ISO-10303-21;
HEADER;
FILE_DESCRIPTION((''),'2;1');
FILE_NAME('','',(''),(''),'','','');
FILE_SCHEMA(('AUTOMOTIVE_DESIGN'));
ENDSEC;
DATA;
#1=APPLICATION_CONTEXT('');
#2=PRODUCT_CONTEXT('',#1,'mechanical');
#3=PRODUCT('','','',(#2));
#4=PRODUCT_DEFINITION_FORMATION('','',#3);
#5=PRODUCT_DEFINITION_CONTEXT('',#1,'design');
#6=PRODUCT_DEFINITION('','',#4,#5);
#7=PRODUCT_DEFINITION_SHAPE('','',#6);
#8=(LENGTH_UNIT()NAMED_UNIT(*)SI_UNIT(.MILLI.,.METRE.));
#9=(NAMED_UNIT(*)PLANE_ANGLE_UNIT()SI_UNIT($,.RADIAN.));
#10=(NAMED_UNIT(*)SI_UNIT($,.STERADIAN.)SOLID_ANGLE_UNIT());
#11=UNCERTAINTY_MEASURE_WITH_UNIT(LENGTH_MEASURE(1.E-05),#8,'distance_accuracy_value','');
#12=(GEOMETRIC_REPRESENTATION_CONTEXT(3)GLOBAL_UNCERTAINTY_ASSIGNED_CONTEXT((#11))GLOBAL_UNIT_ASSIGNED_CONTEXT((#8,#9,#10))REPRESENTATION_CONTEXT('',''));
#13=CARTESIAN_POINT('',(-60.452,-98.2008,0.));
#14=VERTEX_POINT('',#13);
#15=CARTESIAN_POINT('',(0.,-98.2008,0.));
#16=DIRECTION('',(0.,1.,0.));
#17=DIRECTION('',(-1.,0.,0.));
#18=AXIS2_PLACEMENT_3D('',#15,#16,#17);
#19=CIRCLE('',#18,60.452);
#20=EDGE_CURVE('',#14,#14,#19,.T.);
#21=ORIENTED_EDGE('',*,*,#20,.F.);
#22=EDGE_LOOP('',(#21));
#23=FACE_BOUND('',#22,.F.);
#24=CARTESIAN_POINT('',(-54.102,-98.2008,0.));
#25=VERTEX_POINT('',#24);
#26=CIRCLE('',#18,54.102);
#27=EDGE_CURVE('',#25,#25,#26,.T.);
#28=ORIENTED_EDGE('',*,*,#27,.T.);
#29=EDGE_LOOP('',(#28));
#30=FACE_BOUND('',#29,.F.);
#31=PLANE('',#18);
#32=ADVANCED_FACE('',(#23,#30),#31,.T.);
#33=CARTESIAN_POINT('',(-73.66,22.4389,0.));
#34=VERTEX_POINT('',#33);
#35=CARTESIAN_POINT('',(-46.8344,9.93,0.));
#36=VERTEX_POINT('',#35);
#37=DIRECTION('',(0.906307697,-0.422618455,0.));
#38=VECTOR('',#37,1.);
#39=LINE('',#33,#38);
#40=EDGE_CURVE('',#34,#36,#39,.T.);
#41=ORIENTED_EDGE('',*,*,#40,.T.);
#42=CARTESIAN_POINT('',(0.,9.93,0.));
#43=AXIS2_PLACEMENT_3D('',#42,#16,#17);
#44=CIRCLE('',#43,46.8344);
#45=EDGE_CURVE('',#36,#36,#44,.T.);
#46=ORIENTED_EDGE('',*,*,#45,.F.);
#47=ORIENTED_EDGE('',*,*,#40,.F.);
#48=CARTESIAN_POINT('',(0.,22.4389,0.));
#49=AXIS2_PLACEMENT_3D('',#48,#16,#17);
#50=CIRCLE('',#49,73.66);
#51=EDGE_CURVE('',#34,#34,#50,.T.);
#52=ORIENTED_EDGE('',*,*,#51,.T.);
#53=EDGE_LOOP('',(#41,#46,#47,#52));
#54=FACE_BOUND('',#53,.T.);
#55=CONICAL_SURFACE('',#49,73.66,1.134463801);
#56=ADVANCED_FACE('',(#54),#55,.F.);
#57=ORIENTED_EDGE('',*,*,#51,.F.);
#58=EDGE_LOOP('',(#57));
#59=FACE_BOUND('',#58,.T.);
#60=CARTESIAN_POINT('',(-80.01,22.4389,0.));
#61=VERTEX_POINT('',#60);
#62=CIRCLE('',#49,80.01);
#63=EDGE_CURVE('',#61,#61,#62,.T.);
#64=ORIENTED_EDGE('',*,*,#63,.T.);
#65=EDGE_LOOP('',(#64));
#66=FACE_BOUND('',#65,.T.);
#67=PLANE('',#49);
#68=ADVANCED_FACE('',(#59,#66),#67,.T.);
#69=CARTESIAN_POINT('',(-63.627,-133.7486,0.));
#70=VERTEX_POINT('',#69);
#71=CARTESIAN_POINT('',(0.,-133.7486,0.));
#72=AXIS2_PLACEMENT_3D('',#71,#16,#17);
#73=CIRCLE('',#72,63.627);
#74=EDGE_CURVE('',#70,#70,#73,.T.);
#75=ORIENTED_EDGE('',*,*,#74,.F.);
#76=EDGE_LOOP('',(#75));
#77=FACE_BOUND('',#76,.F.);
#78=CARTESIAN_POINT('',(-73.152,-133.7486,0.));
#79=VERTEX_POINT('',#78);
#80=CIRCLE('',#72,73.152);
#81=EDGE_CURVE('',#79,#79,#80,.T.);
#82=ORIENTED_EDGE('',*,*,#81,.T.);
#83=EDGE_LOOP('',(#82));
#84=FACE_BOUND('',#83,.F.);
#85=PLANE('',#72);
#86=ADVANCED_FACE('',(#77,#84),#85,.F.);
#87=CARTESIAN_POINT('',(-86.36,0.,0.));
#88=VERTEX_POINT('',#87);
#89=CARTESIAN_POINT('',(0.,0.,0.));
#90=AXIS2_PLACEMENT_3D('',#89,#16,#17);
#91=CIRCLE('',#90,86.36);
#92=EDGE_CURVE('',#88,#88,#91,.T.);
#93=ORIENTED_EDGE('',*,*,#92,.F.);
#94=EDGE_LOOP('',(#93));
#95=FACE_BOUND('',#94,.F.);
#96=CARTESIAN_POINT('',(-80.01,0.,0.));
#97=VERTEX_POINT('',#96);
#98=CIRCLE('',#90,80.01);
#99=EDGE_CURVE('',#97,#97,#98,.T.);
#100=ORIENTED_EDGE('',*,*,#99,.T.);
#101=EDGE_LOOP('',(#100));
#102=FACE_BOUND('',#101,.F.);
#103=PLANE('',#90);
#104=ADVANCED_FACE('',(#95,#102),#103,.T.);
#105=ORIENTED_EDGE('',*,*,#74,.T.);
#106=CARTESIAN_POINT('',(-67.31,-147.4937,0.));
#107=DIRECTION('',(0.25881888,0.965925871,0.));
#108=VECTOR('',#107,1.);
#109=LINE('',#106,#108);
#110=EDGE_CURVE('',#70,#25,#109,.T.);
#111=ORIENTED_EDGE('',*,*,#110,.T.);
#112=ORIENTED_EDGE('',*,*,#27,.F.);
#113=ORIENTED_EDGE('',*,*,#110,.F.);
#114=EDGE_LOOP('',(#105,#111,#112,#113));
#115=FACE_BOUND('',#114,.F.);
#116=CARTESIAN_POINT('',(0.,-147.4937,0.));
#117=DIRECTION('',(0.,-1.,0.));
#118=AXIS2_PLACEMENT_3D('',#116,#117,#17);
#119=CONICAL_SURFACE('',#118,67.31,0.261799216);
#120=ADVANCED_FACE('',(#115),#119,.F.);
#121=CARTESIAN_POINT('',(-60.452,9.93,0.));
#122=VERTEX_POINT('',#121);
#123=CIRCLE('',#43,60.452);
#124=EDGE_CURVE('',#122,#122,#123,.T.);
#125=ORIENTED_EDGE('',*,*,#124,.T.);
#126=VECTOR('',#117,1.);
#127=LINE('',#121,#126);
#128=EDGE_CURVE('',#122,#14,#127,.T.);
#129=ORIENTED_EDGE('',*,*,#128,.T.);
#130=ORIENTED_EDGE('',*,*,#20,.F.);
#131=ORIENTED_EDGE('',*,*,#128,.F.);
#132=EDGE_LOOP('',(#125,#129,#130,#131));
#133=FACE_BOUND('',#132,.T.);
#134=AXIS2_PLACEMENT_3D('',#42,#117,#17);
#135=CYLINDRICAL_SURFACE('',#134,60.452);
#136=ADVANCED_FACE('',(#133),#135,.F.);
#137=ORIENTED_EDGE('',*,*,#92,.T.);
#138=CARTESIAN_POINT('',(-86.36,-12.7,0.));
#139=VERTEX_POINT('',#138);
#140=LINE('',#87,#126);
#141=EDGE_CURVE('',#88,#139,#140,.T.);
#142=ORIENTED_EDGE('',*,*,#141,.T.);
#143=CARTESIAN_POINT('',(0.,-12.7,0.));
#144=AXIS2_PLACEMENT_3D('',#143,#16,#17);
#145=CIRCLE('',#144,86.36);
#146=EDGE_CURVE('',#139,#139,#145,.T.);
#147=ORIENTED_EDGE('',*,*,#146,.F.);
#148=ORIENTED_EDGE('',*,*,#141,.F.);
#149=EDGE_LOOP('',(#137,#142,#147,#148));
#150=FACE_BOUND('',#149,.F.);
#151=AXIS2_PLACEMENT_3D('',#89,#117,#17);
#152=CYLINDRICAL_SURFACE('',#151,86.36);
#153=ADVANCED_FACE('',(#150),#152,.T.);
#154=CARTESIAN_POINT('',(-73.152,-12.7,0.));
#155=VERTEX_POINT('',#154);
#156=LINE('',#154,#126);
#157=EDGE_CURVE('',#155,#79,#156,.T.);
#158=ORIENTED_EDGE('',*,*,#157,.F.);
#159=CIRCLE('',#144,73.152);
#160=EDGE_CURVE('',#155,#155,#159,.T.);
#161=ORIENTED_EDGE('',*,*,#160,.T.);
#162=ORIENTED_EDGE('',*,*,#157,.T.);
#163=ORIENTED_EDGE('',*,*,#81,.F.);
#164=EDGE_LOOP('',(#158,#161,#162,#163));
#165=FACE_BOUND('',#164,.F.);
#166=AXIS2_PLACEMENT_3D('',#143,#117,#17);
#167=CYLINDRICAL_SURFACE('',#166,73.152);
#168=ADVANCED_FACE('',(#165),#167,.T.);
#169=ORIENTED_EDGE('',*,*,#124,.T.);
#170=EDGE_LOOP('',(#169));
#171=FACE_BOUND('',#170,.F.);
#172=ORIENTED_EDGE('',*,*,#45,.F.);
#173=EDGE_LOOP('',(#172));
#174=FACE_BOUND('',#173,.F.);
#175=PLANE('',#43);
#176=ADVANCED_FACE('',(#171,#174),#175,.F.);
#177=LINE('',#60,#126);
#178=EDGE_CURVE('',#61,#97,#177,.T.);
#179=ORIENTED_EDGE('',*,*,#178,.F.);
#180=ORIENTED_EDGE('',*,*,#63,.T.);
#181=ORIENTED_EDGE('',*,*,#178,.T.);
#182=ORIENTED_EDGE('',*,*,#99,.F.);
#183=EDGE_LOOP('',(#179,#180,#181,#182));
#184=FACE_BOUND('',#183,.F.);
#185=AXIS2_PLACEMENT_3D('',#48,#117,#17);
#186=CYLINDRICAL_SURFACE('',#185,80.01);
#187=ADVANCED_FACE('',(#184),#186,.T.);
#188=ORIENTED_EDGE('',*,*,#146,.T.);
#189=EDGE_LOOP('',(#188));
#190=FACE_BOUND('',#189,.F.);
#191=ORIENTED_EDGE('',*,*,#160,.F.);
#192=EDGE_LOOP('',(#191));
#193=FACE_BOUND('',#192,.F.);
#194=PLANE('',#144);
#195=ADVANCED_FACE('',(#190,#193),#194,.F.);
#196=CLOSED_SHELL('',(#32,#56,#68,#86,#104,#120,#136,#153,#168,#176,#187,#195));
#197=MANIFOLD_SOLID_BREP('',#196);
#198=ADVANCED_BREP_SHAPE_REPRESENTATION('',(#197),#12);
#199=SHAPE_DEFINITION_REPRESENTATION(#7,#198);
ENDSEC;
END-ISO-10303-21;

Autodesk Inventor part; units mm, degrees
ref_plane "YZ Plane" through (0, 0, 0) normal (1, 0, 0) x (0, 1, 0)
ref_plane "XZ Plane" through (0, 0, 0) normal (0, 1, 0) x (-1, 0, 0)
ref_plane "XY Plane" through (0, 0, 0) normal (0, 0, 1) x (1, 0, 0)
sketch "Sketch1" plane through (0, 0, 0) normal (0, 0, 1) x (1, 0, 0)
  line L0 (0, 25.4) -> (-28.702, 25.4) construction
  line L1 (0, 25.4) -> (-86.36, 25.4) construction
  line L2 (-86.36, 25.4) -> (-80.01, 25.4) construction
  line L3 (-80.01, 25.4) -> (-73.66, 22.4389) construction
  line L4 (-80.01, 25.4) -> (-80.01, 22.4389) construction
  line L5 (-80.01, 0) -> (-86.36, 0)
  line L6 (-28.702, 59.6457) -> (-28.702, -91.9304) construction
  arc A0 (-28.9184, -4.2142) -> (-32.3684, 3.1843) centre (-35.052, -2.5707) ccw
  line L7 (-67.31, -147.4937) -> (-28.9184, -4.2142)
  line L8 (-80.01, 22.4389) -> (-73.66, 22.4389)
  line L9 (-80.01, 22.4389) -> (-80.01, 0)
  line L10 (-73.66, 22.4389) -> (-32.3684, 3.1843)
  line L11 (-28.702, -2.5707) -> (-60.452, -2.5707) construction
  line L12 (-60.452, 16.28) -> (-60.452, -121.8993) construction
  line L13 (-60.452, -121.8993) -> (-54.102, -121.8993) construction
  line L14 (-54.102, -121.8993) -> (-54.102, -98.2008) construction
  line L15 (-54.102, -98.2008) -> (-60.452, -98.2008)
  line L16 (-60.452, 16.28) -> (-60.452, 6.755) construction
  line L17 (-60.452, 16.28) -> (-60.452, 9.93) construction
  line L18 (-60.452, 9.93) -> (-46.8344, 9.93)
  line L19 (-60.452, 9.93) -> (-60.452, -98.2008)
  line L20 (-86.36, 0) -> (-86.36, -12.7) construction
  line L21 (-60.452, -12.7) -> (-73.152, -12.7) construction
  line L22 (-86.36, -12.7) -> (-86.36, -25.4) construction
  line L23 (-86.36, -25.4) -> (-86.36, -88.9) construction
  line L24 (-86.36, -88.9) -> (-73.66, -88.9) construction
  line L25 (-73.66, -88.9) -> (-73.66, -25.4) construction
  line L26 (-86.36, -25.4) -> (-73.66, -25.4)
  line L27 (-73.66, -25.4) -> (-73.66, -88.9)
  line L28 (-73.66, -88.9) -> (-86.36, -88.9)
  line L29 (-86.36, -12.7) -> (-73.152, -12.7)
  line L30 (-73.152, -133.7486) -> (-63.627, -133.7486)
  line L31 (-73.66, -88.9) -> (-73.66, -147.4937)
  line L32 (-73.66, -147.4937) -> (-67.31, -147.4937)
  line L33 (-73.152, -12.7) -> (-73.152, -133.7486)
  line L34 (-80.01, -25.4) -> (-80.01, -31.3436)
  line L35 (-80.01, -31.3436) -> (-86.36, -31.3436)
  line L36 (-86.36, 0) -> (-86.36, -25.4)
  line L37 (-86.36, -31.3436) -> (-86.36, -88.9)
  line L38 (0, -319.0244) -> (0, 122.7573) projected
  point P0 (0, 0)
  point P1 (-86.36, -255.9127)
  point P2 (-76.835, 22.4389)
  dimension "d0" = 28.702
  dimension "d1" = 86.36
  dimension "d2" = 6.35
  dimension "d3" = 25
  dimension "d5" = 25.4
  dimension "d6" = 25.4
  dimension "d8" = 12.7
  dimension "d11" = 6.35
  dimension "d12" = 31.75
  dimension "d13" = 6.35
  dimension "d15" = 6.35
  dimension "d16" = 12.7
  dimension "d17" = 12.7
  dimension "d18" = 12.7
  dimension "d19" = 63.5
  dimension "d20" = 12.7
  dimension "d22" = 9.525
  dimension "d23" = 6.35
  dimension "d25" = 5.9436
  dimension "d26" = 15
revolve "Revolution2" add sketch "Sketch1" angle 360 about axis through (0, -10, 0) along (0, 1, 0) contours L9 L8 L10 L18 L19 L15 L7 L30 L33 L29 L36 L5
properties part number "Phenolic Master Sketch" material "Phenolic Resin"
